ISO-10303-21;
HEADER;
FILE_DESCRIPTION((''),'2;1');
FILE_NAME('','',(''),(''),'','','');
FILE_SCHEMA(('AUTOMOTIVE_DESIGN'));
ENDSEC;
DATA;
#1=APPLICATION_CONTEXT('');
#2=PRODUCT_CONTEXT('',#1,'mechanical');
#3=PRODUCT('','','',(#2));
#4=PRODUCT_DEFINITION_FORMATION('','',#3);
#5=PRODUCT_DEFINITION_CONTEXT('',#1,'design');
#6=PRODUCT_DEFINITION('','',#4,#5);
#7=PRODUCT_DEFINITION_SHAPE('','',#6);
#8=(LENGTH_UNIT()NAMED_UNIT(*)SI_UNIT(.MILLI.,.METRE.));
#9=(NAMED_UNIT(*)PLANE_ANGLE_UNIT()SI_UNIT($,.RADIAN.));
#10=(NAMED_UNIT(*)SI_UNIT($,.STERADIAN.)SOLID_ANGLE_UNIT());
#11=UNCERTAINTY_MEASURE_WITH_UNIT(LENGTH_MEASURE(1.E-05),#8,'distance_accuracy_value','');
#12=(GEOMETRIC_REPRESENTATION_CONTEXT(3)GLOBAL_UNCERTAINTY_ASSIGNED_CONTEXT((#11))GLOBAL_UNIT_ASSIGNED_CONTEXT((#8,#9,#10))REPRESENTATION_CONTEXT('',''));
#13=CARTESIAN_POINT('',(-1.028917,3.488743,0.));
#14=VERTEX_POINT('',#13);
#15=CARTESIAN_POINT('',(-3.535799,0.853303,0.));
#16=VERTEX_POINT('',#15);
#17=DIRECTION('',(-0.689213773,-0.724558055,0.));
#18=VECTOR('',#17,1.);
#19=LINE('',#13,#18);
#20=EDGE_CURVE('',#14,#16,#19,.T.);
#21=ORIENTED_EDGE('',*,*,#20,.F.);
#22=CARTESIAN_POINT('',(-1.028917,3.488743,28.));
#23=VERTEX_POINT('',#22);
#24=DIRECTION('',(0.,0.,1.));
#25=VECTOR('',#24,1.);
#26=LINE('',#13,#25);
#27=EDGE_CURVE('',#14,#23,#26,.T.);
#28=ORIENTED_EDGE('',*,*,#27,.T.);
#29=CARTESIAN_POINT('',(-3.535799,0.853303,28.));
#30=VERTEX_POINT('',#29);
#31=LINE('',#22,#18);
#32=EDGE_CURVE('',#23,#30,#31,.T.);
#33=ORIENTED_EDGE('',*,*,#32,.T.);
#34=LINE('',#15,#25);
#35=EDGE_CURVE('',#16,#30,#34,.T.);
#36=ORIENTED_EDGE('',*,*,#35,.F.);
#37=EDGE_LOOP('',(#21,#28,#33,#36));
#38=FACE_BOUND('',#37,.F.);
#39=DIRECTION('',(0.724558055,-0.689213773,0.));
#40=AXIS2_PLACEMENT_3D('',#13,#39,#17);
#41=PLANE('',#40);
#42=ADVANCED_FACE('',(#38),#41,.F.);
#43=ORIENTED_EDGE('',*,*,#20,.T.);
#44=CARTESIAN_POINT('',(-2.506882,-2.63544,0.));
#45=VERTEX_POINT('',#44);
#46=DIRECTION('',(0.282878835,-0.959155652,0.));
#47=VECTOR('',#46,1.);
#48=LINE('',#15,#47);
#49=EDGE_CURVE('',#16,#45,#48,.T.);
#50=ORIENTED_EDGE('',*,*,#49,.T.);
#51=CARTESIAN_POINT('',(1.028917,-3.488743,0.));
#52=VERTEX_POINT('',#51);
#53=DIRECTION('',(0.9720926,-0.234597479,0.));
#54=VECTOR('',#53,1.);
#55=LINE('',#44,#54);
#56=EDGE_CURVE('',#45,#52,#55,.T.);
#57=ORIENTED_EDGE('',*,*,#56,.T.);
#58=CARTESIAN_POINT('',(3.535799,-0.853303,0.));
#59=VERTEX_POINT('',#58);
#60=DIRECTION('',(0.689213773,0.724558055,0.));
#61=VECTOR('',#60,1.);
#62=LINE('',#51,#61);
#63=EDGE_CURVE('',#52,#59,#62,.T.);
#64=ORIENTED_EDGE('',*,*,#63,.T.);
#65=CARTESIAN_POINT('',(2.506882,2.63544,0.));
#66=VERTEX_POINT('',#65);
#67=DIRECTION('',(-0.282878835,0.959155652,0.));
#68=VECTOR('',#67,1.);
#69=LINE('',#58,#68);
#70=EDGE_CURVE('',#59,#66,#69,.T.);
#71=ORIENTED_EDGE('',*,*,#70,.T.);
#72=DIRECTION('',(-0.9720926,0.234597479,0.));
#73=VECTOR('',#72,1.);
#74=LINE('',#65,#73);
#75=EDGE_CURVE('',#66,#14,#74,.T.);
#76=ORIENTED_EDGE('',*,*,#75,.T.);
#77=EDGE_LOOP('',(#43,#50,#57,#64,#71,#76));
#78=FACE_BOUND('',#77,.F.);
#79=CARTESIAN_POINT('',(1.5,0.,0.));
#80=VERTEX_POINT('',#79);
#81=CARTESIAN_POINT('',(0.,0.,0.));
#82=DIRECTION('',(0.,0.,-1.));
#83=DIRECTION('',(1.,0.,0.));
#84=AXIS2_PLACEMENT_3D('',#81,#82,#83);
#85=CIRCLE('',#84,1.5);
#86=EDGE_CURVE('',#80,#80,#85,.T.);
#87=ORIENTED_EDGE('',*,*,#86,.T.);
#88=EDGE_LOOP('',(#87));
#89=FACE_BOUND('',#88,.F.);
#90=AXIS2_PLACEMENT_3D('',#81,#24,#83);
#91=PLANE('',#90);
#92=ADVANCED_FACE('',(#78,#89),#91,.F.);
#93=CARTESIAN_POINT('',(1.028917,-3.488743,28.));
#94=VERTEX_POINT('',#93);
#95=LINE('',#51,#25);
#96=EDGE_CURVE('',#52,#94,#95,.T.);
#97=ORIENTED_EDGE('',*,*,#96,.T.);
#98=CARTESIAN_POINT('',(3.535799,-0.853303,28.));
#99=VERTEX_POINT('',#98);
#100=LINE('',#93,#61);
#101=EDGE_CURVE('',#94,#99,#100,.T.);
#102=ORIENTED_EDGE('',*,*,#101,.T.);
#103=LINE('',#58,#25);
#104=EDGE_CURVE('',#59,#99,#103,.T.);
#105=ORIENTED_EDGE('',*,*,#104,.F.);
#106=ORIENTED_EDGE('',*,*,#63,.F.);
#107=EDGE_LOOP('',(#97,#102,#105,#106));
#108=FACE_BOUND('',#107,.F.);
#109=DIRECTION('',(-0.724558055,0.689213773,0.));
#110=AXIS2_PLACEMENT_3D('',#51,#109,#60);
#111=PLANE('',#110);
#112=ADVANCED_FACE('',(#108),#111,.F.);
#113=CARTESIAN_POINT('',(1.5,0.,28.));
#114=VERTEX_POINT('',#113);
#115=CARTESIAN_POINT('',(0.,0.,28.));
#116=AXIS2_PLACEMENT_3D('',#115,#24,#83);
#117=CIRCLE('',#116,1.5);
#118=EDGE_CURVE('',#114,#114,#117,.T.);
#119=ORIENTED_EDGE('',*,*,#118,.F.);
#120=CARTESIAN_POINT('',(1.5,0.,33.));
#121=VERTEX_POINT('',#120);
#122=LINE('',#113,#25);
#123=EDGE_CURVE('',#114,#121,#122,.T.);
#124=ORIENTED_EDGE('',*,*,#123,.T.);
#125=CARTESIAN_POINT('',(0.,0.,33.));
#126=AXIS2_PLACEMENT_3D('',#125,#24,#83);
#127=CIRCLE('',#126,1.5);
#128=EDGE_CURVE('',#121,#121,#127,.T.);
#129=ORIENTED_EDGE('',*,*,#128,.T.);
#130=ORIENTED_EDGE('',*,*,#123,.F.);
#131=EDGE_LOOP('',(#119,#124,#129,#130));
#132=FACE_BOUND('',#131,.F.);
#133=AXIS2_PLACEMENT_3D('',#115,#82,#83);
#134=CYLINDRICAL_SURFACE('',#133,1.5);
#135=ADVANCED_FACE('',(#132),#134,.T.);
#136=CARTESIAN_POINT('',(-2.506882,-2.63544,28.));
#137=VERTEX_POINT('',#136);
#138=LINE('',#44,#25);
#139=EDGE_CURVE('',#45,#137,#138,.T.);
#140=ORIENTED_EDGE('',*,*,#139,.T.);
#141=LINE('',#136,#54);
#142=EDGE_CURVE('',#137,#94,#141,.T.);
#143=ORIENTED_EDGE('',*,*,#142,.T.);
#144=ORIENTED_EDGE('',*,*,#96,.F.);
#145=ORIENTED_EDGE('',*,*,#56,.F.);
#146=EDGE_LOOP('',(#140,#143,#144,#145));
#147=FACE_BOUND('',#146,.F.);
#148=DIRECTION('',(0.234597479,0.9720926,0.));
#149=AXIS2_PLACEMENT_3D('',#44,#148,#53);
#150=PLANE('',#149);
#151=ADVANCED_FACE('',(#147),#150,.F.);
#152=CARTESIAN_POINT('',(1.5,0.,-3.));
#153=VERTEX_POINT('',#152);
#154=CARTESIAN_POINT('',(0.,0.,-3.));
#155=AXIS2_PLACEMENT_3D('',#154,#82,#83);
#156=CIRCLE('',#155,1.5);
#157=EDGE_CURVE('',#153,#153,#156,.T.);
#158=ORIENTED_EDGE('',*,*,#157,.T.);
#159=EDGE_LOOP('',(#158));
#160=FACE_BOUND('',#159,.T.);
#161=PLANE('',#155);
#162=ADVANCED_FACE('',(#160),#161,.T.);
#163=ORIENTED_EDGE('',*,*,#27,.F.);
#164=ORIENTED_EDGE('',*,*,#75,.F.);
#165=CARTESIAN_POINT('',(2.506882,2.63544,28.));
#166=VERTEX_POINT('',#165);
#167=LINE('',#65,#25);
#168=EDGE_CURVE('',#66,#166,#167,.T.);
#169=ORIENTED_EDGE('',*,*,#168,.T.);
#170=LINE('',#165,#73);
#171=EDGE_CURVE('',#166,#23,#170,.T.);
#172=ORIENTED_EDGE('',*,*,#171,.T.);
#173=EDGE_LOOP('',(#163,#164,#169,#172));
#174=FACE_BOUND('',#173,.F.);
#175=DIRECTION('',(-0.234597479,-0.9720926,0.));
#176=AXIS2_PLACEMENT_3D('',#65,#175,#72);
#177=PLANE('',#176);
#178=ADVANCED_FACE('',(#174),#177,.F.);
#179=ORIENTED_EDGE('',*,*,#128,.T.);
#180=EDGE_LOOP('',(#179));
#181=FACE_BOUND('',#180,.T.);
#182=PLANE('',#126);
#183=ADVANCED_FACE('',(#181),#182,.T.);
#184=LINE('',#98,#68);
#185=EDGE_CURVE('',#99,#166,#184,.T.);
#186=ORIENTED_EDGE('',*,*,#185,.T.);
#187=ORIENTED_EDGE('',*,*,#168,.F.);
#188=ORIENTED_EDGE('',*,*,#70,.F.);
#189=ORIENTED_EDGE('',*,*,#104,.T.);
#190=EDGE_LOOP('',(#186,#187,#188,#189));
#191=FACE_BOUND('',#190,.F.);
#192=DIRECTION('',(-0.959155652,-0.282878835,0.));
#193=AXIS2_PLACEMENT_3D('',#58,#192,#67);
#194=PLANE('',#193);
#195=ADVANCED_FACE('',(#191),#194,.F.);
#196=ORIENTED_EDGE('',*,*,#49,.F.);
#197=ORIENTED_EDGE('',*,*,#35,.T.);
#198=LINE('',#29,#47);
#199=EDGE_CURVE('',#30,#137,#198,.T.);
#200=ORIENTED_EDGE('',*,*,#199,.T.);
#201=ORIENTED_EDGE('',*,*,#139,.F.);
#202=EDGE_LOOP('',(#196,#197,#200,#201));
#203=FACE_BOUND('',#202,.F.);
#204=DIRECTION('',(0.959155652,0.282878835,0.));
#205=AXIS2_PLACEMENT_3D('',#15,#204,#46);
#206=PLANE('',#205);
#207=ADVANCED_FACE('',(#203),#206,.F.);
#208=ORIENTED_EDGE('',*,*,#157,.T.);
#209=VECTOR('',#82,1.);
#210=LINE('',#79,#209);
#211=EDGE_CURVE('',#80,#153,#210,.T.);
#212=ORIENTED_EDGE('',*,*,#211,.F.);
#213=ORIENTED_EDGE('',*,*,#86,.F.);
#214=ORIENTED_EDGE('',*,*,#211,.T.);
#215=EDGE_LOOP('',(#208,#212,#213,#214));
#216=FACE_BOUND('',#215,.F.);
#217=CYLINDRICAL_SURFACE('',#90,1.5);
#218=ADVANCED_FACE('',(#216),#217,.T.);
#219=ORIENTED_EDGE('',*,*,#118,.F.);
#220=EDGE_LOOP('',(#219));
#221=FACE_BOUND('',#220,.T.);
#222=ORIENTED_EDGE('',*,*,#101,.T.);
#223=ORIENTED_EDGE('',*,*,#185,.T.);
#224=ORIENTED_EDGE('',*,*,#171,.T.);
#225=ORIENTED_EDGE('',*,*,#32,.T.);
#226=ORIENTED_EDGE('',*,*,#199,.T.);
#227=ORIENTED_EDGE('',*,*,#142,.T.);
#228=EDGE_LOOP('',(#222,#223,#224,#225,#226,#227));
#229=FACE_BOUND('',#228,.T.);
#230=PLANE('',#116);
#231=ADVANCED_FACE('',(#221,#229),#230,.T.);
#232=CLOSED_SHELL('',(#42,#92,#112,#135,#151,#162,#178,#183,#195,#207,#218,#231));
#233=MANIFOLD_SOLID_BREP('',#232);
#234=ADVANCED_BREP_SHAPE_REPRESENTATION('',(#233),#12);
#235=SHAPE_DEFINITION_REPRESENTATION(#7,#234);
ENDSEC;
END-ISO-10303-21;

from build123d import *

# Parameters (mm, degrees)
F1_DEPTH = 28
F2_R     = 1.5
F3_DEPTH = 5
F4_R     = 1.5
F5_DEPTH = 3


with BuildPart() as f1:
    # F0 (on Top) → F1 (new body)
    with BuildSketch(Plane.XY):
        Polygon((-1.028917, 3.488743), (-3.535799, 0.853303), (-2.506882, -2.63544), (1.028917, -3.488743), (3.535799, -0.853303), (2.506882, 2.63544), align=None)
    extrude(amount=F1_DEPTH)

    # F2 (on face) → F3 (join)
    with BuildSketch(Plane.XY.offset(28)):
        Circle(F2_R)
    extrude(amount=F3_DEPTH)

    # F4 (on face) → F5 (join)
    with BuildSketch(Plane(origin=(0, 0, 0), x_dir=(1, 0, 0), z_dir=(0, 0, -1))):
        Circle(F4_R)
    extrude(amount=F5_DEPTH)


solid = f1.part
